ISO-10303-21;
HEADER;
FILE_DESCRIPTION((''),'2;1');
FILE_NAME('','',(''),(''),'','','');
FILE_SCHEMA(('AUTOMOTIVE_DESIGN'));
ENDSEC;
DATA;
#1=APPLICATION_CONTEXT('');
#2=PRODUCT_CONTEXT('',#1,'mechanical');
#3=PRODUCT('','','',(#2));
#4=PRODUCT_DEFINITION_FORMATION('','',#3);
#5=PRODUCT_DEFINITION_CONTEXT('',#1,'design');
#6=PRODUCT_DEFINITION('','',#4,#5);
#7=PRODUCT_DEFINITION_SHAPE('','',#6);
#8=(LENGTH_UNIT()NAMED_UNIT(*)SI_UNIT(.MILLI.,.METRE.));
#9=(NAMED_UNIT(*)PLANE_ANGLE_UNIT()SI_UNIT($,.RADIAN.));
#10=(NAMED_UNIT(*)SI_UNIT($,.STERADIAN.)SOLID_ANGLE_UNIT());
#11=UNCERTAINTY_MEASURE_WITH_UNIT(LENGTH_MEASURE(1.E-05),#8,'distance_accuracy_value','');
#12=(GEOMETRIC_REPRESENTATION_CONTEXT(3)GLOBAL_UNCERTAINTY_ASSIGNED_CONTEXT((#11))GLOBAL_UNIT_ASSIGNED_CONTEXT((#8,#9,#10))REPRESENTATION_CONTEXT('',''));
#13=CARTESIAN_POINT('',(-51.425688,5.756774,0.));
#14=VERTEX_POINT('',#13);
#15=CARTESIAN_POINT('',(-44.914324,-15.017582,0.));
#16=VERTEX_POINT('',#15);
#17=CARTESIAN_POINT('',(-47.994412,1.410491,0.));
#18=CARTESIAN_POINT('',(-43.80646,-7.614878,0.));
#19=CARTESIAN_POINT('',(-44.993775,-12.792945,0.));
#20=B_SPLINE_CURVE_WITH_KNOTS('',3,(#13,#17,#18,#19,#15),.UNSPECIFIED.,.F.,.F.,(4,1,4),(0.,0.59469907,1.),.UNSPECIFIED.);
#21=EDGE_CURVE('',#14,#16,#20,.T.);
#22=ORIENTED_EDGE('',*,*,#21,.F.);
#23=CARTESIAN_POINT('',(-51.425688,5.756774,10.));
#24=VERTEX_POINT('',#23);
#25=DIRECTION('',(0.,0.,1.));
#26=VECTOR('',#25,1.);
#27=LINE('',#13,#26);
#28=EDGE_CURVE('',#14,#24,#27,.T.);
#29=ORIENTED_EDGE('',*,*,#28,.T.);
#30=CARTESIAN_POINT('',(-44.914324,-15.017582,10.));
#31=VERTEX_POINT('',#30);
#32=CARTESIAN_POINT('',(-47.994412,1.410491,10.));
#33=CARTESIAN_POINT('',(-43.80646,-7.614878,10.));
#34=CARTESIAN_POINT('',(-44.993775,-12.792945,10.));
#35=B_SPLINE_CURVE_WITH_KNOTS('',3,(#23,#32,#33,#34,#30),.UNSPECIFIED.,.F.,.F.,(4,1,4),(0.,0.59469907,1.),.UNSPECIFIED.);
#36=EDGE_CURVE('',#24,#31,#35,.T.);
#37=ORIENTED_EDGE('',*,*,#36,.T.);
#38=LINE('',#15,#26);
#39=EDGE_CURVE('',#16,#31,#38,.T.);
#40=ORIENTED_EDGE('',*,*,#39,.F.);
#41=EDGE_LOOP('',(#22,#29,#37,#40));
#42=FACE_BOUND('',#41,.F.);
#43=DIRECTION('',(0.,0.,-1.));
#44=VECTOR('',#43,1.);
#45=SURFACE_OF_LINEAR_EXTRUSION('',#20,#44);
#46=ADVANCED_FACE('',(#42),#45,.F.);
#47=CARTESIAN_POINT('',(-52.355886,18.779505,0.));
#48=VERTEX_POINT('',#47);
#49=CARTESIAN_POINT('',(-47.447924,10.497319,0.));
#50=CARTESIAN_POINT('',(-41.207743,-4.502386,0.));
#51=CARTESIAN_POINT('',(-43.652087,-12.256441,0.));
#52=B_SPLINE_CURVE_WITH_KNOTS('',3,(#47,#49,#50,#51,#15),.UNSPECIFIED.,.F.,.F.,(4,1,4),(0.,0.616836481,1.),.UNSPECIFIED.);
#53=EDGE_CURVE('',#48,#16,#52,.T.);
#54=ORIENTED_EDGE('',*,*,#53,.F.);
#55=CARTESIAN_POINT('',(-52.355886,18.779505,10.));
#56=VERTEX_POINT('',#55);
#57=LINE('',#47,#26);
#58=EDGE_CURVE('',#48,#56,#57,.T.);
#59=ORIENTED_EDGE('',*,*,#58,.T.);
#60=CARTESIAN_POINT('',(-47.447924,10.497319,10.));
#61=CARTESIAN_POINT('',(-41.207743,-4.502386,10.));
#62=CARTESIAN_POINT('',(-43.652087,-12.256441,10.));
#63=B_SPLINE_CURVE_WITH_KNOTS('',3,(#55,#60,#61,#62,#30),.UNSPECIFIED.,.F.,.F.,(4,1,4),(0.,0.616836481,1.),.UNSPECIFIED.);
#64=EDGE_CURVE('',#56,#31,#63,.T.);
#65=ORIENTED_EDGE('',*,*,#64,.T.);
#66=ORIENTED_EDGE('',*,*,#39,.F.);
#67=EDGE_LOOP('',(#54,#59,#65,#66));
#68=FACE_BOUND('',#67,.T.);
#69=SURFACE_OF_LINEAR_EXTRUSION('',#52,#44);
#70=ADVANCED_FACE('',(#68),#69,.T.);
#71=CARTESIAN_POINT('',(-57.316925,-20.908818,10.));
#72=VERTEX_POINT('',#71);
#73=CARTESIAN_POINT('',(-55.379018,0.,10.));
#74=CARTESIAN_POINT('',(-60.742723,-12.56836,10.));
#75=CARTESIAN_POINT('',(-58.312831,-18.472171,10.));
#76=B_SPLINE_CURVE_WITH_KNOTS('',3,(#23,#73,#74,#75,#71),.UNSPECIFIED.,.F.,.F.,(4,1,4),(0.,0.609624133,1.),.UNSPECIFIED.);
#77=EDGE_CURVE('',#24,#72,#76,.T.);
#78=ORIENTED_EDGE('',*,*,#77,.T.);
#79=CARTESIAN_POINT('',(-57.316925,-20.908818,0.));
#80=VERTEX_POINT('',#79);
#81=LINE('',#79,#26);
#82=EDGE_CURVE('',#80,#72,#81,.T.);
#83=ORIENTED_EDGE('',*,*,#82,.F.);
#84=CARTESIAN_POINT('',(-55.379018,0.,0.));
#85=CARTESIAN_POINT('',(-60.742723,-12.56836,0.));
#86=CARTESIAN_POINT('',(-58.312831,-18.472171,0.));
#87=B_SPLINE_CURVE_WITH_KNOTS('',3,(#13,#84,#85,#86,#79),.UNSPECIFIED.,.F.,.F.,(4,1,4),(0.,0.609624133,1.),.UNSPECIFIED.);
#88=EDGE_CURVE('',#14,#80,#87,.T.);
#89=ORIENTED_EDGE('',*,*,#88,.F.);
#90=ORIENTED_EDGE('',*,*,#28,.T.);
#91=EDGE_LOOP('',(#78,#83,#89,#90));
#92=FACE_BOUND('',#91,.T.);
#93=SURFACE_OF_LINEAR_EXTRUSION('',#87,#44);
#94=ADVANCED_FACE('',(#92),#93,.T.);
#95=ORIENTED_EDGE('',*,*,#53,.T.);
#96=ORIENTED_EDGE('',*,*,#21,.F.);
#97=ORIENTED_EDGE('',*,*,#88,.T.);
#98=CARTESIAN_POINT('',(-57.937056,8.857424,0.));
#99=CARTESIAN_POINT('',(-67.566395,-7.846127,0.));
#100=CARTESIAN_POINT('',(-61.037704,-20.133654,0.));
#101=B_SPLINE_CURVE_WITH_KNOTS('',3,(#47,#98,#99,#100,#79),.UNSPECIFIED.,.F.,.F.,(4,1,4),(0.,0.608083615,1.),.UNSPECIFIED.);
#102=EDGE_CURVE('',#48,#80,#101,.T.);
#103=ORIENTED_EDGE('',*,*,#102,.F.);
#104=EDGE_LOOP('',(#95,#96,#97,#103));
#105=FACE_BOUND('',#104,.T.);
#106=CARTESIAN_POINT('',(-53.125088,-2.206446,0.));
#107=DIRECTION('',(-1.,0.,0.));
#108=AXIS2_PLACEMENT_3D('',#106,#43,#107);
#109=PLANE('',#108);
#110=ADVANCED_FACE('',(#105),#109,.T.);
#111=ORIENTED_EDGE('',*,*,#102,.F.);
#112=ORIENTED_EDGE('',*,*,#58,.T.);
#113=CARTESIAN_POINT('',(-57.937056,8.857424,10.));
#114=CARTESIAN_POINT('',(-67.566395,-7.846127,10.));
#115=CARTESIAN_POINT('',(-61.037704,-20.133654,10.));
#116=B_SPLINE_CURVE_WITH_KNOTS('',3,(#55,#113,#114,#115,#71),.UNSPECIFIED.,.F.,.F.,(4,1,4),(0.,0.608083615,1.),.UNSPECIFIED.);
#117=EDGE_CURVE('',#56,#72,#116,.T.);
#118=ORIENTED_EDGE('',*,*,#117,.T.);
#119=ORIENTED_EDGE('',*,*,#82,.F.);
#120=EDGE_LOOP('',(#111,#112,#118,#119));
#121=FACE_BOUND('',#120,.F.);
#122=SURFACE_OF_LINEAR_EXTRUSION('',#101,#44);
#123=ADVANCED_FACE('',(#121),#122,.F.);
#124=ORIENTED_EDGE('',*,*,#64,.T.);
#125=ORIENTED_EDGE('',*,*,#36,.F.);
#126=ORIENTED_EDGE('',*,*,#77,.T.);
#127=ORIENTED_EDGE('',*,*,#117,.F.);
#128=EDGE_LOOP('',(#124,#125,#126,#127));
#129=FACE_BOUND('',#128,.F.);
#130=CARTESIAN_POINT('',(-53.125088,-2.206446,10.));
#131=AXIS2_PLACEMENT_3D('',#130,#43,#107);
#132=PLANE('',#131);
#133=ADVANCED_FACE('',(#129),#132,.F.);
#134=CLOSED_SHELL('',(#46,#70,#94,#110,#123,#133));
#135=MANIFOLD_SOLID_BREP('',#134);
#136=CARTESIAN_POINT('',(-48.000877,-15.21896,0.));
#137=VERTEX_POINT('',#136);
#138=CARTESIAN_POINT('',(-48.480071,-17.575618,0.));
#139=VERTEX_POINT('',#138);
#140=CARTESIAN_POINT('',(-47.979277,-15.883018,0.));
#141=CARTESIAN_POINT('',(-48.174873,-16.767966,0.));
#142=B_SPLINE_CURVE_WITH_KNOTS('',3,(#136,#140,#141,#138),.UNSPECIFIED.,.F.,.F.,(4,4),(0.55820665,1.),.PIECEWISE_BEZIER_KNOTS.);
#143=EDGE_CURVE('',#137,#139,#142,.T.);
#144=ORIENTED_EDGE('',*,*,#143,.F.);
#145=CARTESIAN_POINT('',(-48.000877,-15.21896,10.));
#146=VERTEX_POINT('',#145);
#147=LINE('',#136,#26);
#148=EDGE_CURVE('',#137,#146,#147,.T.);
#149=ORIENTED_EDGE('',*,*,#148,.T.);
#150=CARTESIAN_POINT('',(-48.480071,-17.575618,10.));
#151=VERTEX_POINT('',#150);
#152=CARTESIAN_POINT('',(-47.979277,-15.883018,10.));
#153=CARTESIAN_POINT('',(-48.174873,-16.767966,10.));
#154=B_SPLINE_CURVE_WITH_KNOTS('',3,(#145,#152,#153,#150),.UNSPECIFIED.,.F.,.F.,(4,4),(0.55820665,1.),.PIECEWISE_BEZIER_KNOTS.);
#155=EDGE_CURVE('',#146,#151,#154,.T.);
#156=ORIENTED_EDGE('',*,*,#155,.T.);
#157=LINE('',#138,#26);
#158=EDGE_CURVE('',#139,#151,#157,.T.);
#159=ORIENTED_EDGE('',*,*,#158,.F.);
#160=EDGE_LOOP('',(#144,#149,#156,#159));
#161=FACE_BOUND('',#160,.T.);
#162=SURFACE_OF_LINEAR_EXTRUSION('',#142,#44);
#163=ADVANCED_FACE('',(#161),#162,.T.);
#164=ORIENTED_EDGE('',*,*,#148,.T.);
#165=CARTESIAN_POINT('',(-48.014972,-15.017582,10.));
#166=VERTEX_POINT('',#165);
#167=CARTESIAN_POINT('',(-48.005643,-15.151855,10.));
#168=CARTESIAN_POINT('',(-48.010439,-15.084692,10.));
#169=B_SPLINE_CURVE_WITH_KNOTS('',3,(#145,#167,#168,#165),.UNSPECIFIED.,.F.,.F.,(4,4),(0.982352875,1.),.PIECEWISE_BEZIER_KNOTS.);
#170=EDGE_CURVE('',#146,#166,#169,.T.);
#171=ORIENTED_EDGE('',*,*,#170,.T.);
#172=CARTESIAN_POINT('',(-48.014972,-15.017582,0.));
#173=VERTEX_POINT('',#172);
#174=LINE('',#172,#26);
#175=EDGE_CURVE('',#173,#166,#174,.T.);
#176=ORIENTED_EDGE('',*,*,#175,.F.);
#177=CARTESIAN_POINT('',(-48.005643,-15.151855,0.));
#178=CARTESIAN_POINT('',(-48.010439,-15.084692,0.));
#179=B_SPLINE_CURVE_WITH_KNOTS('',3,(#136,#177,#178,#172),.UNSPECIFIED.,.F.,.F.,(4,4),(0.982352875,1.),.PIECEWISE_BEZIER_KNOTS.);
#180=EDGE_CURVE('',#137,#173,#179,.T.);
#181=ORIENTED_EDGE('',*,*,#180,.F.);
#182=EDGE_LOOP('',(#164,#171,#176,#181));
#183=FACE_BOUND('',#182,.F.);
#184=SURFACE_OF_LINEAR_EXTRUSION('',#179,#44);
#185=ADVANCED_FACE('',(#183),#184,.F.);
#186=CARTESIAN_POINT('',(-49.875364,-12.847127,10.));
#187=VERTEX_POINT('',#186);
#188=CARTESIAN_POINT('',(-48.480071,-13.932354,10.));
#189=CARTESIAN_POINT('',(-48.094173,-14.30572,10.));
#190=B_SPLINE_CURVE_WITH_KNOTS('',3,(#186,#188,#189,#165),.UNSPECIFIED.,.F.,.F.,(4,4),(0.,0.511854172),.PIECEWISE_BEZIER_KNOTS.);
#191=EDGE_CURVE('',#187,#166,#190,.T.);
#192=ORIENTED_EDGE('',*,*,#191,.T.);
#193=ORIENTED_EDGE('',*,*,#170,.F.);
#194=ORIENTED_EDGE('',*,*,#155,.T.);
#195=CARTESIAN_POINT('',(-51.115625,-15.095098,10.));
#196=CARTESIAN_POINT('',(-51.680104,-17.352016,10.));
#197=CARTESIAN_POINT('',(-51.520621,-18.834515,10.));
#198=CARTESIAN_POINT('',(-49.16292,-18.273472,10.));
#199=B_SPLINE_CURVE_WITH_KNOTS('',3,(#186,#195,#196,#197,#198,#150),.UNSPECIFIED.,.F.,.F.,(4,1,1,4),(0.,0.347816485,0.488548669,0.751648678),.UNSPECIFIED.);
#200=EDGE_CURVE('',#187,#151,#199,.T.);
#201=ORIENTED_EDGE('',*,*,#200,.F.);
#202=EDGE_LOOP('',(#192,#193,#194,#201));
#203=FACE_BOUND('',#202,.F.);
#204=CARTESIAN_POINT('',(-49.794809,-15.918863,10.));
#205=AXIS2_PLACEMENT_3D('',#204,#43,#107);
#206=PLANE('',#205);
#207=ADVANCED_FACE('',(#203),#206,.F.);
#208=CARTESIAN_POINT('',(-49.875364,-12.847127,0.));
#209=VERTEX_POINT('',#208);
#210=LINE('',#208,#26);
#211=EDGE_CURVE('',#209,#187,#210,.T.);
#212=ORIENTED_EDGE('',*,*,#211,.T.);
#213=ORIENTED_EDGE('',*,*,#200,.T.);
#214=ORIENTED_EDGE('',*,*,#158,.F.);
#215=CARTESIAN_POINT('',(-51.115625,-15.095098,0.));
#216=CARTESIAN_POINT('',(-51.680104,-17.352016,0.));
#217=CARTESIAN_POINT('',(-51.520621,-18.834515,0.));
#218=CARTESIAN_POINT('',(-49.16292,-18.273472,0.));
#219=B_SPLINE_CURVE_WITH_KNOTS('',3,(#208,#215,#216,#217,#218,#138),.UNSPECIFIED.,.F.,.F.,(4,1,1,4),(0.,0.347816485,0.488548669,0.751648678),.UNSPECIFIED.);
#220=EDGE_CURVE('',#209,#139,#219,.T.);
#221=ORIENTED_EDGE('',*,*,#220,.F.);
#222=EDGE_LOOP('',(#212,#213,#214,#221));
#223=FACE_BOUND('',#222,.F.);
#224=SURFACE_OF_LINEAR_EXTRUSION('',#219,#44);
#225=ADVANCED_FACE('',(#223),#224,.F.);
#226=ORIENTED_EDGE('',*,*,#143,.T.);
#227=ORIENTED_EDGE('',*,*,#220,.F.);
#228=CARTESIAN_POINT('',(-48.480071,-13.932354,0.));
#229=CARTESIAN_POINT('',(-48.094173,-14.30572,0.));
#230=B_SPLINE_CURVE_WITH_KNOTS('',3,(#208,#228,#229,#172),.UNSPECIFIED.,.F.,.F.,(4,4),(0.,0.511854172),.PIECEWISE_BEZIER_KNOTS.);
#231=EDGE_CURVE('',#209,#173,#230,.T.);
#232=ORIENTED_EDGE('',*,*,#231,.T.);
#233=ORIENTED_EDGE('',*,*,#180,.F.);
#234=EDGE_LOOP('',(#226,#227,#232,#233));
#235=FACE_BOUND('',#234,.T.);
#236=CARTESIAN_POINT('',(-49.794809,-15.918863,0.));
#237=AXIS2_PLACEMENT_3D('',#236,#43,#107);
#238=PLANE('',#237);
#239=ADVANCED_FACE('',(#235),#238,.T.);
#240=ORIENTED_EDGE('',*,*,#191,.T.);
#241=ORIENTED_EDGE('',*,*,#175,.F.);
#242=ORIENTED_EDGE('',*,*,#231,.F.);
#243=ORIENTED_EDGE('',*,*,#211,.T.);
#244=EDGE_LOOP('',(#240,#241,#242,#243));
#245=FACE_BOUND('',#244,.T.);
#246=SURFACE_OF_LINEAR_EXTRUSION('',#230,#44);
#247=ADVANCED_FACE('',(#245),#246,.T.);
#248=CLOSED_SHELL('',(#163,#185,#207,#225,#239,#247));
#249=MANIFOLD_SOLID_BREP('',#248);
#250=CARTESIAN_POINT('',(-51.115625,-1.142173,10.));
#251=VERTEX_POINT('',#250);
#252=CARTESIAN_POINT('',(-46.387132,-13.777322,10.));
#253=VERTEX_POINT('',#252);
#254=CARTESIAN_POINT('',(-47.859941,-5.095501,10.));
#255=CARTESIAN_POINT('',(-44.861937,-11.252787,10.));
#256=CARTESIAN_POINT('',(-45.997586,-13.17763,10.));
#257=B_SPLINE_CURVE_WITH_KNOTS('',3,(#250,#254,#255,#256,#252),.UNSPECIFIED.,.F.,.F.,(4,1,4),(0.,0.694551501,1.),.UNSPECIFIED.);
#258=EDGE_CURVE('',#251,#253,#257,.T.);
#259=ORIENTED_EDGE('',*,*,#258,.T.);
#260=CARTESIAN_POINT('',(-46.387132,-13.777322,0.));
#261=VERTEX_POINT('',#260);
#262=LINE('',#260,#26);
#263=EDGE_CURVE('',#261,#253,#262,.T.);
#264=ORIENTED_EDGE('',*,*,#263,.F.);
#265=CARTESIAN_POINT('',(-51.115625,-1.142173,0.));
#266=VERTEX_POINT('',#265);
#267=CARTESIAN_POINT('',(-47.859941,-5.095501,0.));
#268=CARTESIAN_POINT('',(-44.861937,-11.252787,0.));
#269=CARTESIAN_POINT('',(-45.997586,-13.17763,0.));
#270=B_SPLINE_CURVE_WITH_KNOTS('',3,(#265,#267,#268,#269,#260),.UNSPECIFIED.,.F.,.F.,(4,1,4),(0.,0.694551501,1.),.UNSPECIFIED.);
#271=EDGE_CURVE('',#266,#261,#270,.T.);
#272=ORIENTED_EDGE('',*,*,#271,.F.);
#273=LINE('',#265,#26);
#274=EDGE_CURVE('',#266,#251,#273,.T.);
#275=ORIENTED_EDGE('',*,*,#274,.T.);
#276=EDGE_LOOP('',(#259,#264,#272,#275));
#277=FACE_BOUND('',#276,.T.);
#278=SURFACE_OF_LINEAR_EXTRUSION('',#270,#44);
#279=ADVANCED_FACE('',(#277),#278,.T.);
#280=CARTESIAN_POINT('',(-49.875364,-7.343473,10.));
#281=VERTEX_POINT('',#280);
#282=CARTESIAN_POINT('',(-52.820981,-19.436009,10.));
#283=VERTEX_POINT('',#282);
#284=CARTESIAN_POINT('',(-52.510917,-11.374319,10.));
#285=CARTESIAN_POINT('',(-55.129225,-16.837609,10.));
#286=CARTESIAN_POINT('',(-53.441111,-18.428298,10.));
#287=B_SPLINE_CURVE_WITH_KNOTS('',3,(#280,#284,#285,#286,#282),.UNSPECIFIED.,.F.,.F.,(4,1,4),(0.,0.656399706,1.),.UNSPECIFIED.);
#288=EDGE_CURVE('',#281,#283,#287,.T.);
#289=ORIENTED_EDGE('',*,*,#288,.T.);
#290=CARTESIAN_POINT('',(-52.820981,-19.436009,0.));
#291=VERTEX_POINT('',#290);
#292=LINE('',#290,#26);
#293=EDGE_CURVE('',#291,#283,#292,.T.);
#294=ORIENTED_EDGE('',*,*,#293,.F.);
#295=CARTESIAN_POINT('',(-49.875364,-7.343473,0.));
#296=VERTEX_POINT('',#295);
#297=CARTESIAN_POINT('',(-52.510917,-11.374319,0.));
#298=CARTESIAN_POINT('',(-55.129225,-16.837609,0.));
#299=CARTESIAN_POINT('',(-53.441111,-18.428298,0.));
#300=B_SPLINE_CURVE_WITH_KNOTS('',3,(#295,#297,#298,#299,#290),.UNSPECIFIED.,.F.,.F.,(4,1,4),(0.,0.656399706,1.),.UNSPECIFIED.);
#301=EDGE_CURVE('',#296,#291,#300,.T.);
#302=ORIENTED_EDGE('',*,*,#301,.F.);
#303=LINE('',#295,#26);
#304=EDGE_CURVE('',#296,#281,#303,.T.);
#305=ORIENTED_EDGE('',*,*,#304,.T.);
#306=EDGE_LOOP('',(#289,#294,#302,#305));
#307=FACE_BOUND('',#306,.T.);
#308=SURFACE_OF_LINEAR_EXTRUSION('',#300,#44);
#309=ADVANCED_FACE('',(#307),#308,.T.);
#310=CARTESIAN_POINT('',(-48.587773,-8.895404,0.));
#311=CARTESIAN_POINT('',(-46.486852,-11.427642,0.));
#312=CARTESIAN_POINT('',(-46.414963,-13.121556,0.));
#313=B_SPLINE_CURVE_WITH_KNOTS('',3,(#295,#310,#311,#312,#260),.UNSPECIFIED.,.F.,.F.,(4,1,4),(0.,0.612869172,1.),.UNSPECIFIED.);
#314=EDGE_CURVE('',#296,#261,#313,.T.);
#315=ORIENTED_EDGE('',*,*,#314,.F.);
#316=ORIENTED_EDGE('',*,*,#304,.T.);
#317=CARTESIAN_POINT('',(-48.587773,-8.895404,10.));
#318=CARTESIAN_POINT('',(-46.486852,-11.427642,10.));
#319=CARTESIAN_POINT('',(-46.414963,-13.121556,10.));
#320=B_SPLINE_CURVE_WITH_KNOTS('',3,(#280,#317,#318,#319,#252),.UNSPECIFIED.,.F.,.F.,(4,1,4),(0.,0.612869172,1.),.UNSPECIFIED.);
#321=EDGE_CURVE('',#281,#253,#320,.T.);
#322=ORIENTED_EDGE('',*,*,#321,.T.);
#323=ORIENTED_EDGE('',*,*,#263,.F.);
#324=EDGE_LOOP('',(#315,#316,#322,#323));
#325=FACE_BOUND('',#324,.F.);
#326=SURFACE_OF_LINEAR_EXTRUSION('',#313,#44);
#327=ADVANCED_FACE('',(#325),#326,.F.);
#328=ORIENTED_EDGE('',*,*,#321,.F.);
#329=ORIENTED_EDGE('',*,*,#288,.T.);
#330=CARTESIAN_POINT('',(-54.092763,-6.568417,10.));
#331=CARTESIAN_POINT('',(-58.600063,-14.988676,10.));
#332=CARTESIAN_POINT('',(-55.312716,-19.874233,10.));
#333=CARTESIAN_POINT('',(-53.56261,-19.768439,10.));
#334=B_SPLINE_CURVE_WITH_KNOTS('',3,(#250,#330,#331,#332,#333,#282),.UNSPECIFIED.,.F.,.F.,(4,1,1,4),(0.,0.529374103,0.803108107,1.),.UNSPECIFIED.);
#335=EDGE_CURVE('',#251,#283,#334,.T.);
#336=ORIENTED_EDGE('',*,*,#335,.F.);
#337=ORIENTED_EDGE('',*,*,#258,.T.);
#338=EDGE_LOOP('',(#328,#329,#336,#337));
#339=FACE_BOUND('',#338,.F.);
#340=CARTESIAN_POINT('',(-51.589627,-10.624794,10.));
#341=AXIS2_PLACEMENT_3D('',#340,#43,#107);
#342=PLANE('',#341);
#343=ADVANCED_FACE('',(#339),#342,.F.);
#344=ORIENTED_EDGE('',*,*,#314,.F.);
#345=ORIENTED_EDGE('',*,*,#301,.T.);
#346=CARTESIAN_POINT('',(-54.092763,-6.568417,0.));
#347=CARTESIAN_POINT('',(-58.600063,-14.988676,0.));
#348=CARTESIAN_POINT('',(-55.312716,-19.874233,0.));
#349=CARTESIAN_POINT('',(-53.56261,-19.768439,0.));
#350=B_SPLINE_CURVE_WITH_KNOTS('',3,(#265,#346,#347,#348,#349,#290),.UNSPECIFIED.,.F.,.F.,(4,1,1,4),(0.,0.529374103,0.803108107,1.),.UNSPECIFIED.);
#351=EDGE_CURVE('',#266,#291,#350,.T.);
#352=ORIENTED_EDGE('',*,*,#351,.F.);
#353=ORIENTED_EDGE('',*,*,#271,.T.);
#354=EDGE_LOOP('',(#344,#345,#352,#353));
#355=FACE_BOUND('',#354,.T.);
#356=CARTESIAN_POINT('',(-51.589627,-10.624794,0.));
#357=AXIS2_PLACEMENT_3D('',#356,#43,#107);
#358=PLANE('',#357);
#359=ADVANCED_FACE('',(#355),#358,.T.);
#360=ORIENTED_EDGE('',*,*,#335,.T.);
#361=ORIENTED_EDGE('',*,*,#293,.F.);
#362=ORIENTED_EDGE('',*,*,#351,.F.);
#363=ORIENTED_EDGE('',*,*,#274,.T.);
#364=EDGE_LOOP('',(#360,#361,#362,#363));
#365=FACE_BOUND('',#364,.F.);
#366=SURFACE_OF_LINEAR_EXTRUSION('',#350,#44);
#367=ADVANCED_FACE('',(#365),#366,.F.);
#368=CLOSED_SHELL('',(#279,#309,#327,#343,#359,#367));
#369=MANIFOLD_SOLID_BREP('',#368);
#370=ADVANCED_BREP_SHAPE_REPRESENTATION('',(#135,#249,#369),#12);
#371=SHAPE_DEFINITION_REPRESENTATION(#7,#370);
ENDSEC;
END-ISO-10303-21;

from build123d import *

# Parameters (mm, degrees)
F1_DEPTH = 10


with BuildPart() as f1:
    # F0 (on Top) → F1 (new body)
    with BuildSketch(Plane.XY):
        with BuildLine():
            add(Edge.make_bspline(
                [(-52.3558855057, 18.7795050442), (-47.4479237009, 10.4973188077), (-41.2077429849, -4.5023856475), (-43.6520873473, -12.2564412052), (-44.9143238366, -15.0175821036)],
                knots=[0, 0, 0, 0, 0.6168364814, 1, 1, 1, 1], degree=3))
            add(Edge.make_bspline(
                [(-52.3558855057, 18.7795050442), (-57.9370558262, 8.8574243709), (-67.5663953849, -7.8461265909), (-61.0377043486, -20.1336536556), (-57.3169253767, -20.9088176489)],
                knots=[0, 0, 0, 0, 0.6080836152, 1, 1, 1, 1], degree=3))
            add(Edge.make_bspline(
                [(-51.4256879687, 5.7567739859), (-55.3790181875, 0), (-60.7427232824, -12.5683599261), (-58.3128306392, -18.4721705598), (-57.3169253767, -20.9088176489)],
                knots=[0, 0, 0, 0, 0.6096241329, 1, 1, 1, 1], degree=3))
            add(Edge.make_bspline(
                [(-51.4256879687, 5.7567739859), (-47.9944117315, 1.4104907139), (-43.8064596306, -7.6148778158), (-44.9937747455, -12.792945198), (-44.9143238366, -15.0175821036)],
                knots=[0, 0, 0, 0, 0.5946990697, 1, 1, 1, 1], degree=3))
        make_face()
    extrude(amount=F1_DEPTH)


with BuildPart() as f1b:
    # F0 (on Top) → F1, piece 2 (new body)
    with BuildSketch(Plane.XY):
        with BuildLine():
            add(Edge.make_bspline(
                [(-51.1156246066, -1.1421727249), (-47.8599406779, -5.0955014303), (-44.8619365743, -11.2527871762), (-45.9975858714, -13.1776298191), (-46.3871322572, -13.7773221359)],
                knots=[0, 0, 0, 0, 0.6945515009, 1, 1, 1, 1], degree=3))
            add(Edge.make_bspline(
                [(-51.1156246066, -1.1421727249), (-54.0927626245, -6.5684166216), (-58.6000627072, -14.9886764983), (-55.3127155959, -19.8742326333), (-53.5626104353, -19.768439435), (-52.8209805489, -19.4360092282)],
                knots=[0, 0, 0, 0, 0.529374103, 0.8031081074, 1, 1, 1, 1], degree=3))
            add(Edge.make_bspline(
                [(-49.8753637075, -7.3434729129), (-52.5109171867, -11.3743189722), (-55.1292246794, -16.8376087906), (-53.4411109984, -18.4282977134), (-52.8209805489, -19.4360092282)],
                knots=[0, 0, 0, 0, 0.6563997062, 1, 1, 1, 1], degree=3))
            add(Edge.make_bspline(
                [(-49.8753637075, -7.3434729129), (-48.587773429, -8.8954036254), (-46.4868515082, -11.4276417975), (-46.4149626503, -13.1215558043), (-46.3871322572, -13.7773221359)],
                knots=[0, 0, 0, 0, 0.6128691723, 1, 1, 1, 1], degree=3))
        make_face()
    extrude(amount=F1_DEPTH)


with BuildPart() as f1c:
    # F0 (on Top) → F1, piece 3 (new body)
    with BuildSketch(Plane.XY):
        with BuildLine():
            add(Edge.make_bspline(
                [(-49.8753637075, -12.8471273929), (-48.4800711274, -13.9323538169), (-48.0941728507, -14.3057196723), (-48.0149723589, -15.0175821036)],
                knots=[0, 0, 0, 0, 0.5118541725, 0.5118541725, 0.5118541725, 0.5118541725], degree=3))
            add(Edge.make_bspline(
                [(-49.8753637075, -12.8471273929), (-51.1156246066, -15.0950979441), (-51.680103631, -17.3520157184), (-51.5206212484, -18.8345152572), (-49.1629198322, -18.2734716211), (-48.4800711274, -17.5756178796)],
                knots=[0, 0, 0, 0, 0.3478164855, 0.4885486688, 0.7516486779, 0.7516486779, 0.7516486779, 0.7516486779], degree=3))
            add(Edge.make_bspline(
                [(-48.0008768377, -15.2189599543), (-47.9792773024, -15.8830183498), (-48.1748734676, -16.7679655402), (-48.4800711274, -17.5756178796)],
                knots=[0.5582066502, 0.5582066502, 0.5582066502, 0.5582066502, 1, 1, 1, 1], degree=3))
            add(Edge.make_bspline(
                [(-48.0008768377, -15.2189599543), (-48.0056429614, -15.1518548305), (-48.0104385888, -15.0846922243), (-48.0149723589, -15.0175821036)],
                knots=[0.9823528755, 0.9823528755, 0.9823528755, 0.9823528755, 1, 1, 1, 1], degree=3))
        make_face()
    extrude(amount=F1_DEPTH)


solid = Compound([f1.part, f1b.part, f1c.part])
